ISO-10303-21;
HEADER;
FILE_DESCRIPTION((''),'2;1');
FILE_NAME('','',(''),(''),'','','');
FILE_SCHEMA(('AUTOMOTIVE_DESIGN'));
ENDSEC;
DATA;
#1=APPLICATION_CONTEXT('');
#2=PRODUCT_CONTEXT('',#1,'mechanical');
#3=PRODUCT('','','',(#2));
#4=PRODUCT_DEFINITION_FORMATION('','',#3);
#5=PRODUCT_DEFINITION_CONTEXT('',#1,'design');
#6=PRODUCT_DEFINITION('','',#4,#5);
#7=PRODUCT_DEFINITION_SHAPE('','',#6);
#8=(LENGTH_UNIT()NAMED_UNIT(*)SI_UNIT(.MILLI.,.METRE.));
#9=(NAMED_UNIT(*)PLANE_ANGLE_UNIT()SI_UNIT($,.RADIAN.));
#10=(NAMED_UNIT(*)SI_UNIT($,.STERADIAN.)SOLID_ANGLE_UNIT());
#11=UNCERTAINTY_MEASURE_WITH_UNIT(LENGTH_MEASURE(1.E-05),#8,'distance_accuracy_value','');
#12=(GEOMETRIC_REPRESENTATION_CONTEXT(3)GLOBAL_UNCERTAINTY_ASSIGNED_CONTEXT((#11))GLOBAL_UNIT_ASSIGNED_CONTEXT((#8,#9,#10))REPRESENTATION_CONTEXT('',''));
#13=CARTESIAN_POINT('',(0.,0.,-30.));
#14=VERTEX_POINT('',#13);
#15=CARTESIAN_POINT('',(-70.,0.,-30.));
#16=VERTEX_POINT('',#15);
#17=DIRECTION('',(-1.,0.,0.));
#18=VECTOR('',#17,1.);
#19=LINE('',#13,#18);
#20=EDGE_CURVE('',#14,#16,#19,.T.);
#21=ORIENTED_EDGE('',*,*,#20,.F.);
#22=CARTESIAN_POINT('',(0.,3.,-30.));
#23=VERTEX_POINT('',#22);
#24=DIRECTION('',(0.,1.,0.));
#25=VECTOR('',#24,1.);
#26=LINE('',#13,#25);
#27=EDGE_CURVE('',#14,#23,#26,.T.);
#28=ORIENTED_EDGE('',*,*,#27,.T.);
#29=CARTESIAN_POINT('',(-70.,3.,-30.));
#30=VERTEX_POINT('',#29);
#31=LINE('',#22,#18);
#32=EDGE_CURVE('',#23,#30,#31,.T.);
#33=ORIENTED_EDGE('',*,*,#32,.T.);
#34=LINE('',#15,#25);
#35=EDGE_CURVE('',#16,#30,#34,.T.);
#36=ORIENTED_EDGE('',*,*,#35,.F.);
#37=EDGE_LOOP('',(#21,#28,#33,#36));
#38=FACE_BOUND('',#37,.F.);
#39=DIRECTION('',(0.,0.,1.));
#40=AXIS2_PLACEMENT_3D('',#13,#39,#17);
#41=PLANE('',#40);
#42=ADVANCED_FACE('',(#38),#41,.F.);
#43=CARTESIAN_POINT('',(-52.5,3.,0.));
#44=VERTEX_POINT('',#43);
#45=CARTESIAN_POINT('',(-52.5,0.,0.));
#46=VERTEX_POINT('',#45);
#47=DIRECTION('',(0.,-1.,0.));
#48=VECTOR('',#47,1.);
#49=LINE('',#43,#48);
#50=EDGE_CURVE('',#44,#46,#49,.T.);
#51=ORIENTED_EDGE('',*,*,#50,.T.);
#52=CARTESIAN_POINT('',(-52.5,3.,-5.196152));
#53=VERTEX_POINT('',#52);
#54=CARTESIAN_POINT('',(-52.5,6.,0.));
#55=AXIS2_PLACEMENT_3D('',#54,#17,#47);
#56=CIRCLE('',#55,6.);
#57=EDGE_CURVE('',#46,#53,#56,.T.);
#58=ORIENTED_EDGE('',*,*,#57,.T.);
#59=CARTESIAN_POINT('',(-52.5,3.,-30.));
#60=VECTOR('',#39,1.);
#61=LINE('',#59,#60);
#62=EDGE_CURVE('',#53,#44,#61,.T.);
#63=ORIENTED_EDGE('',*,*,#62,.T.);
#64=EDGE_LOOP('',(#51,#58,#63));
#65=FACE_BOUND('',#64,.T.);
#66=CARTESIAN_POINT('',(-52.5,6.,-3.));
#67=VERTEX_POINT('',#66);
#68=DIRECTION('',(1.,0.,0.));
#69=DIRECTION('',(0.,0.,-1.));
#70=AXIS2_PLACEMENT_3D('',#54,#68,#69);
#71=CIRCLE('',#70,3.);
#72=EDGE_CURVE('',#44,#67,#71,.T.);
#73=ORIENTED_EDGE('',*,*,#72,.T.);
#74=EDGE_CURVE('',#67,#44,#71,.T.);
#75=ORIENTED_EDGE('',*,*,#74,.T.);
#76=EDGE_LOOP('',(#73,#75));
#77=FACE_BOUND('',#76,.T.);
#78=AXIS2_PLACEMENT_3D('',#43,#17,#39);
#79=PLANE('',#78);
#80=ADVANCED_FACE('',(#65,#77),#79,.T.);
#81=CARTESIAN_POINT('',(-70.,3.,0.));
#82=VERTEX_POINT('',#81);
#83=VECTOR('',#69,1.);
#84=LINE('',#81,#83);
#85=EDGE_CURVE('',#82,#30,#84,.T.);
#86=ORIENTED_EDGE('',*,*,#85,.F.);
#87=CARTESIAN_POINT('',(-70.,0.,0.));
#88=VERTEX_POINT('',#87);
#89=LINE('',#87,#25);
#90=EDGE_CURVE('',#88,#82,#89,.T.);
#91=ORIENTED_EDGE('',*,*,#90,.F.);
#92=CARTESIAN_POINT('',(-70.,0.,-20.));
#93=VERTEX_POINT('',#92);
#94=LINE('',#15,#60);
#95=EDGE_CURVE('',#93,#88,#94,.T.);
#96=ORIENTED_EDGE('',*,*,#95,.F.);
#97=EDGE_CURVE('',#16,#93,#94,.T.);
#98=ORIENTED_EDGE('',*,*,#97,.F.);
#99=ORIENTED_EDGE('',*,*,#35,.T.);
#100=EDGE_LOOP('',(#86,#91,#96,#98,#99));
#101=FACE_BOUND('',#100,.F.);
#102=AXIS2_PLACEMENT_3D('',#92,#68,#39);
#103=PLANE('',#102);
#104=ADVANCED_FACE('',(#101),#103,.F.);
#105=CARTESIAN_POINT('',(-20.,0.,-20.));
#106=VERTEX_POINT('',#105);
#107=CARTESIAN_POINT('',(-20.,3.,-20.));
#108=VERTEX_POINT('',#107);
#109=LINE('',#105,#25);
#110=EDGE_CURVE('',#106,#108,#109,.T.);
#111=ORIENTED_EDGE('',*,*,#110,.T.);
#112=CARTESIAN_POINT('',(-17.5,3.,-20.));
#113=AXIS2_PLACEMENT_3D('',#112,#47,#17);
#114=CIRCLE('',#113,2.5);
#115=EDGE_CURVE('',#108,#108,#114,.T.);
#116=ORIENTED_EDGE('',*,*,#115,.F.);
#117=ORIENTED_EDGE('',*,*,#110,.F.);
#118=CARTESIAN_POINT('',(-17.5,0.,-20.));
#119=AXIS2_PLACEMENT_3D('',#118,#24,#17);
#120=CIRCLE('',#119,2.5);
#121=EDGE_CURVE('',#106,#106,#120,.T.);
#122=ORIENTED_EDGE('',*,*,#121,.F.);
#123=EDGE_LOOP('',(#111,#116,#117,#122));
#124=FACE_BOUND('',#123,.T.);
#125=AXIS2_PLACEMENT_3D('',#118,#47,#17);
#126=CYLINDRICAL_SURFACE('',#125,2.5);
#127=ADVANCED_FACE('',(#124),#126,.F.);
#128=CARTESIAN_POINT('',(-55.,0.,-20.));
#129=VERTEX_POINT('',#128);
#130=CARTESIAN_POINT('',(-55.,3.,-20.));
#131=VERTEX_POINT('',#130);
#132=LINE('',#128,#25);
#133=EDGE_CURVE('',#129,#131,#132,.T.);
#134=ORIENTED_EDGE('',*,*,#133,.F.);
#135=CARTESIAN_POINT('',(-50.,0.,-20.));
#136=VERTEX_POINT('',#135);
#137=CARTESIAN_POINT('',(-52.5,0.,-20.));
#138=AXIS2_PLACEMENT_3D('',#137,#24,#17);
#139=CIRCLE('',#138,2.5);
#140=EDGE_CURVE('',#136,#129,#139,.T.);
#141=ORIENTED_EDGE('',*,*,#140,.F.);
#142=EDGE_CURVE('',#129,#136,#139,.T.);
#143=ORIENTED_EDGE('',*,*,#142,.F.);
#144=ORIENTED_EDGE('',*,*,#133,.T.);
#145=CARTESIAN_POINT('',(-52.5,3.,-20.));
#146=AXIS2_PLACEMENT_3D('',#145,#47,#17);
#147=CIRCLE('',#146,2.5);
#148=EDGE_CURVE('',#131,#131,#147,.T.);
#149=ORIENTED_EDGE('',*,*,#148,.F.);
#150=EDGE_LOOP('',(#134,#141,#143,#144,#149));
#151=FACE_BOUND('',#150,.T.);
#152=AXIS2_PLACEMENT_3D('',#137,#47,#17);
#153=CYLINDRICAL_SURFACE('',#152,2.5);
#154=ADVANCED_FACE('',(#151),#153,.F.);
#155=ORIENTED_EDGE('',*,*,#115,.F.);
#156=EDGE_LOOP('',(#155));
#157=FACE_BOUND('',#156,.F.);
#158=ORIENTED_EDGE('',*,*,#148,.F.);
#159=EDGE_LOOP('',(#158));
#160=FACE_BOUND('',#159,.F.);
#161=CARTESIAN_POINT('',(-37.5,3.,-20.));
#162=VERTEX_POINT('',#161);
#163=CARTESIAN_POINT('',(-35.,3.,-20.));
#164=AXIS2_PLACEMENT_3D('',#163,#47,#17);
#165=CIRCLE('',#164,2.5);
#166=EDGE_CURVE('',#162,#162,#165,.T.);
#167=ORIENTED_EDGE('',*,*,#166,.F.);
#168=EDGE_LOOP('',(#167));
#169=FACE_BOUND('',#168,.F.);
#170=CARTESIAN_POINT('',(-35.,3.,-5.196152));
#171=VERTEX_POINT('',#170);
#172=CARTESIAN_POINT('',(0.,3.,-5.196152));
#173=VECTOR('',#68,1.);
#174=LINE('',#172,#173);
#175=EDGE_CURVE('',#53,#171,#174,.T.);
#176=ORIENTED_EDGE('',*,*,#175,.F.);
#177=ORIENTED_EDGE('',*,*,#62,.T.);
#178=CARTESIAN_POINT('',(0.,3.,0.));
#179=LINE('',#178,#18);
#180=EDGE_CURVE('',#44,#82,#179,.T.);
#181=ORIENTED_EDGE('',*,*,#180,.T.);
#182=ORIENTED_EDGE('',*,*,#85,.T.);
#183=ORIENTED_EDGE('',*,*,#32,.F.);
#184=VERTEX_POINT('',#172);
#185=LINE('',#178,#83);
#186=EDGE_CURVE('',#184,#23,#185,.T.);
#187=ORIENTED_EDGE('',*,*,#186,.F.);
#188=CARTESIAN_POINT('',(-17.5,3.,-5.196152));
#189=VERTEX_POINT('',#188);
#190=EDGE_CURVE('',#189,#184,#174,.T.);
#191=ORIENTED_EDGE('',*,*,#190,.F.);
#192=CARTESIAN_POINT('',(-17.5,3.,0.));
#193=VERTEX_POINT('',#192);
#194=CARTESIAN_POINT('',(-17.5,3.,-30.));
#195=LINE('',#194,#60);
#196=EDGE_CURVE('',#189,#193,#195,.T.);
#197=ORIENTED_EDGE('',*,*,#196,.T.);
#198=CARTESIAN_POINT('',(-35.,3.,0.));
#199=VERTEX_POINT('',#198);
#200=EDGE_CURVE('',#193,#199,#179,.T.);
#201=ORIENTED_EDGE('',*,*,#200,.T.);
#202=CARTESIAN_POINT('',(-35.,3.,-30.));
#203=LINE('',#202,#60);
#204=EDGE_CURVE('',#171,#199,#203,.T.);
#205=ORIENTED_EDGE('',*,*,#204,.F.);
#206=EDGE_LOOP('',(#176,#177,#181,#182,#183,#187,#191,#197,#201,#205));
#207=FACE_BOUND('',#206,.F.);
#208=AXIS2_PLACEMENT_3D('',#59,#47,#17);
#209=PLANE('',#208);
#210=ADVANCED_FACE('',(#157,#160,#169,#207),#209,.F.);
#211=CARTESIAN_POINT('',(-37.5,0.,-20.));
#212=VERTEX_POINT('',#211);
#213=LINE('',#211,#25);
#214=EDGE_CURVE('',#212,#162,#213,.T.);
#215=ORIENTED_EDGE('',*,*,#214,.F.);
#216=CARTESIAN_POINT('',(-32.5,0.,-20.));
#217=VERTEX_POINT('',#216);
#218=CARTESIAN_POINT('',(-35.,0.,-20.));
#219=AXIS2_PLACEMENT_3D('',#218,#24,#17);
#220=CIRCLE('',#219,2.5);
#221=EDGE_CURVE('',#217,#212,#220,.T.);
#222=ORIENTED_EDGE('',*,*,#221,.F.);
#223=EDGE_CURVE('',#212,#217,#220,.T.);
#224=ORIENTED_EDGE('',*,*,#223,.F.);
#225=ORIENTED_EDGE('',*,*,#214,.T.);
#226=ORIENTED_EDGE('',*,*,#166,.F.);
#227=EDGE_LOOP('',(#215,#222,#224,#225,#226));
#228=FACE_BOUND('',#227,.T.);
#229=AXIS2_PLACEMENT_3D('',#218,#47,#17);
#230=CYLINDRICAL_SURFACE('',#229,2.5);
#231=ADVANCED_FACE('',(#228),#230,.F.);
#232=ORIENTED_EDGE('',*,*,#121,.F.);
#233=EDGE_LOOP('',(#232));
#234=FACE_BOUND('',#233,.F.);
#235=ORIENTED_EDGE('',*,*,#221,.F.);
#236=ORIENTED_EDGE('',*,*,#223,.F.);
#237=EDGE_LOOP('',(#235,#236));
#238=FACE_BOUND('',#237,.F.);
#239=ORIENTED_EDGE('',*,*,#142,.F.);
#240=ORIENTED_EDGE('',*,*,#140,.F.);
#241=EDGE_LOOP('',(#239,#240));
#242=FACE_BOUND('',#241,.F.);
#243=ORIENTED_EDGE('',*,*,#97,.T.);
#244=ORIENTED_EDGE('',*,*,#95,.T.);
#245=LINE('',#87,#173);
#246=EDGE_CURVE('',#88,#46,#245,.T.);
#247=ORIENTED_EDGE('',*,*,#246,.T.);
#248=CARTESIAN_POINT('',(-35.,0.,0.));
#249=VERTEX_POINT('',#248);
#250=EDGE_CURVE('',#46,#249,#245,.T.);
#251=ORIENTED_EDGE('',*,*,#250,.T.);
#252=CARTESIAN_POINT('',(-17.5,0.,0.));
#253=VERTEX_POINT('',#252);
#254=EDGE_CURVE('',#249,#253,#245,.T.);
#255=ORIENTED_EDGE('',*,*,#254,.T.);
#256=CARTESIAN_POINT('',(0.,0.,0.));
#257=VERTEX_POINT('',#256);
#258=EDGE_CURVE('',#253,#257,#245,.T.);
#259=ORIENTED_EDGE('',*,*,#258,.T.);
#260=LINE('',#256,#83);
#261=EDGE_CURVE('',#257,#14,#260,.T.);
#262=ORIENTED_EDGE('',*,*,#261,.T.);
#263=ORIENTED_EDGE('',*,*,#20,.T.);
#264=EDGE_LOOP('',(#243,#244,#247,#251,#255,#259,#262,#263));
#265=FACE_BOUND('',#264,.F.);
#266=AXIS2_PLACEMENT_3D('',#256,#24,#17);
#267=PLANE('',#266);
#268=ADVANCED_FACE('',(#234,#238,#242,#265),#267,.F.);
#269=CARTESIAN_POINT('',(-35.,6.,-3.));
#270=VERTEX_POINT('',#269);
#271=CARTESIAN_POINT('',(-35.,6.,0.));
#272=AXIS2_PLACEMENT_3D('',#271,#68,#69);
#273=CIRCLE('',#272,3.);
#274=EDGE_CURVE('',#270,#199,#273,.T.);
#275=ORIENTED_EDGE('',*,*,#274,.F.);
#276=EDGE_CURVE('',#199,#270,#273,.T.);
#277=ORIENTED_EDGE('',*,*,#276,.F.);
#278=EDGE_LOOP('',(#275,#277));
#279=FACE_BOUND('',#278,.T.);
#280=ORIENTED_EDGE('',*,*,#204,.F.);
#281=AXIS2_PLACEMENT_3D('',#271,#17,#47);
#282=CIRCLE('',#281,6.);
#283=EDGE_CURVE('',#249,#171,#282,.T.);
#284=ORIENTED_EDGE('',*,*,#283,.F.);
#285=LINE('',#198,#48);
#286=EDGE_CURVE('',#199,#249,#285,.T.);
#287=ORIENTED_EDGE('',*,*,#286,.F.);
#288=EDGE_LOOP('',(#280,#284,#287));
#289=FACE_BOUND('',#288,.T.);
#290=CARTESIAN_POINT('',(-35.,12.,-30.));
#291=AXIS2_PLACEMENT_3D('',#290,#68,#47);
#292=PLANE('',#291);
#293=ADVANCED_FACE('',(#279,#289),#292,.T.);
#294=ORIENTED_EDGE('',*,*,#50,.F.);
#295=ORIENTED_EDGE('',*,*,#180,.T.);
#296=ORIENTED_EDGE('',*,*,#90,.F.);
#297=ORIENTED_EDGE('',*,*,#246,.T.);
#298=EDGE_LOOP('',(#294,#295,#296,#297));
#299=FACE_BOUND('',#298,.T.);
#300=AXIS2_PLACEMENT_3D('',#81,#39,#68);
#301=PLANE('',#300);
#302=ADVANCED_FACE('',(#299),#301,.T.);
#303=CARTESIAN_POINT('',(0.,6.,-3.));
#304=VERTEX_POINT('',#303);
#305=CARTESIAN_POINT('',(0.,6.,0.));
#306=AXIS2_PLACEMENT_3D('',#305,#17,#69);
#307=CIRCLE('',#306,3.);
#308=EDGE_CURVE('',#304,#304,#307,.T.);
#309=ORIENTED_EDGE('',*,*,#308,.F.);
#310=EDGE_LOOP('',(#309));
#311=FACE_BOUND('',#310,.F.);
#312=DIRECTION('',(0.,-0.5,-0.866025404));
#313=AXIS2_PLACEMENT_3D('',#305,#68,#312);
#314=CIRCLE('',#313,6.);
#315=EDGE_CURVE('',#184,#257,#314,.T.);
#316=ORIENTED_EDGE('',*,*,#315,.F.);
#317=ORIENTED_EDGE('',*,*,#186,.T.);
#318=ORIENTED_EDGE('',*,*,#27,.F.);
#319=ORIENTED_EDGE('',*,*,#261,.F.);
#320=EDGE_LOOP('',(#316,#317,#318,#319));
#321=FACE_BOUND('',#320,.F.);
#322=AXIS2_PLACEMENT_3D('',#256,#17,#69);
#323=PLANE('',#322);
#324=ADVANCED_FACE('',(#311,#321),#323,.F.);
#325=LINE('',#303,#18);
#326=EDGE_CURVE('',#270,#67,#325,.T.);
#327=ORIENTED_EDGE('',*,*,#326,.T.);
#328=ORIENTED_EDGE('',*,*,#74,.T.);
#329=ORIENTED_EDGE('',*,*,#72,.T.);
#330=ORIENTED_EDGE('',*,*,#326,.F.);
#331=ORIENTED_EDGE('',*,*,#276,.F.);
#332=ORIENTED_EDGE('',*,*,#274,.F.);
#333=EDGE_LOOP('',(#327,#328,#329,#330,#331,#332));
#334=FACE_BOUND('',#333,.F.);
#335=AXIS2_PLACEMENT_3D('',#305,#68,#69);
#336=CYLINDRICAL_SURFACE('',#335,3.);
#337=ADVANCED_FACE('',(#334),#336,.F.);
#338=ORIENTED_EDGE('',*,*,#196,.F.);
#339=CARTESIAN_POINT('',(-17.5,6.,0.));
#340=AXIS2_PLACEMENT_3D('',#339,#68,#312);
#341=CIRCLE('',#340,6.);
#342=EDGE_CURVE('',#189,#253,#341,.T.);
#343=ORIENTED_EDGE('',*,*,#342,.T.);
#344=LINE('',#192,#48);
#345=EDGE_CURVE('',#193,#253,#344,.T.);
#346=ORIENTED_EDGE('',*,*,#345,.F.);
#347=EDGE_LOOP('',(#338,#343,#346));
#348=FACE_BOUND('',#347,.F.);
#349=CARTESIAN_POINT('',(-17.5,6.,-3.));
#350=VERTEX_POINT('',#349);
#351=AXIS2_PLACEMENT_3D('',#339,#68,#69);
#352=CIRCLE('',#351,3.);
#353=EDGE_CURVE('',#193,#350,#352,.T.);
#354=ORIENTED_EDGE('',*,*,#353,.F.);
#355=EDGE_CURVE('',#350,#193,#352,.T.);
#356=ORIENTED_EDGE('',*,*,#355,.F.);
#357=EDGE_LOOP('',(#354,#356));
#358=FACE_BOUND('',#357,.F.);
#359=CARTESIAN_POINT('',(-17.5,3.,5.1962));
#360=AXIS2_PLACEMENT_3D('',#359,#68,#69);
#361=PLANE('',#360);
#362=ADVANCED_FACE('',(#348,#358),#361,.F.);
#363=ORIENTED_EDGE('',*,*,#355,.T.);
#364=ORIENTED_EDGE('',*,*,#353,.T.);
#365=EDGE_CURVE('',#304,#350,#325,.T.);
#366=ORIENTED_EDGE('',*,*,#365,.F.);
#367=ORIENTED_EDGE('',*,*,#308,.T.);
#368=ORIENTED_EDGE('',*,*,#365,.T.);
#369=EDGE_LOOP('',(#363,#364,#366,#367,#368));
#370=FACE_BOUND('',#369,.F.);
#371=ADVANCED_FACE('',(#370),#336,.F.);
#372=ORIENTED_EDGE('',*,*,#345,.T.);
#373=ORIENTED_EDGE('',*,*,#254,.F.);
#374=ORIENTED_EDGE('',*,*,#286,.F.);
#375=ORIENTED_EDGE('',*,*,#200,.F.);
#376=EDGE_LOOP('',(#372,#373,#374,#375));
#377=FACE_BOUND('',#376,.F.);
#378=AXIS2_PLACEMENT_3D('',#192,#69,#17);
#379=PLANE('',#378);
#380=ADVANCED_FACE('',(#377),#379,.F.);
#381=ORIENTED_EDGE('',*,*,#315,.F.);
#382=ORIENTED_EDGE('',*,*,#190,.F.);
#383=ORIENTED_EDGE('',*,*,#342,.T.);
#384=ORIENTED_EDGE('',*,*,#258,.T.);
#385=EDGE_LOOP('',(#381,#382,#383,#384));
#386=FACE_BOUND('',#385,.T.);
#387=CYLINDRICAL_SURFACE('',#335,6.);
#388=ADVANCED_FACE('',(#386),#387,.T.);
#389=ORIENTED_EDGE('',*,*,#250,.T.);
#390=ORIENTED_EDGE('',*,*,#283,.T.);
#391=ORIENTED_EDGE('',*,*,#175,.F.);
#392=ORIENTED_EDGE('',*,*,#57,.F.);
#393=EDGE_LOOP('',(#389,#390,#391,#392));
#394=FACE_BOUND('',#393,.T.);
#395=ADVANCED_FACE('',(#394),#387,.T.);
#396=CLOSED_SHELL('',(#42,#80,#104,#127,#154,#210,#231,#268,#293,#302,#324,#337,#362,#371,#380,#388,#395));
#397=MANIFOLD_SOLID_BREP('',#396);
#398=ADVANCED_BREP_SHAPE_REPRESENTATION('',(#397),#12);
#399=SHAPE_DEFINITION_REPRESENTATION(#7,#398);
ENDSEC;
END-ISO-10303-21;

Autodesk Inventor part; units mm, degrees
ref_plane "YZ Plane" through (0, 0, 0) normal (1, 0, 0) x (0, 1, 0)
ref_plane "XZ Plane" through (0, 0, 0) normal (0, 1, 0) x (-1, 0, 0)
ref_plane "XY Plane" through (0, 0, 0) normal (0, 0, 1) x (1, 0, 0)
sketch "Sketch1" plane through (0, 0, 0) normal (0, 1, 0) x (-1, 0, 0)
  line L0 (0, 0) -> (0, -30)
  line L1 (0, -30) -> (70, -30)
  line L2 (70, -30) -> (70, 0)
  line L3 (70, 0) -> (0, 0)
  line L4 (70, -30) -> (70, -20)
  line L5 (70, -20) -> (52.5, -20)
  line L6 (52.5, -20) -> (35, -20)
  line L7 (35, -20) -> (17.5, -20)
  circle A0 centre (52.5, -20) radius 2.5
  circle A1 centre (35, -20) radius 2.5
  circle A2 centre (17.5, -20) radius 2.5
  dimension "d0" = 30
  dimension "d1" = 70
  dimension "d2" = 10
  dimension "d3" = 17.5
  dimension "d4" = 17.5
  dimension "d5" = 17.5
  dimension "d6" = 5
  dimension "d7" = 5
  dimension "d8" = 5
extrude "Extrusion1" add sketch "Sketch1" along normal blind 3
sketch "Sketch2" plane through (0, 0, 0) normal (1, 0, 0) x (0, 0, -1)
  line L0 (0, 3) -> (30, 3) projected
  circle A0 centre (0, 6) radius 3
  line L1 (0, 0) -> (0, 3) projected
  circle A1 centre (0, 6) radius 6
extrude "Extrusion2" add sketch "Sketch2" against normal blind 70 contours L1 A1 L0 | A0 | L0 A1 L1
sketch "Sketch3" plane through (0, 0, -30) normal (1, 0, 0) x (0, 0, -1)
  line L0 (-30, 0) -> (0, 0) projected
  line L1 (-30, 0) -> (-30, 6)
  circle A0 centre (-30, 6) radius 3
  dimension "d14" = 6
  dimension "d15" = 6
extrude "Extrusion3" cut sketch "Sketch3" against normal blind 70
sketch "Sketch4" plane through (0, 0, -30) normal (0, 0, -1) x (-1, 0, 0)
  line L0 (0, 0) -> (70, 0) projected
  line L1 (0, 0) -> (0, 3)
  line L2 (0, 3) -> (70, 3) projected
  line L3 (0, 3) -> (17.5, 3)
  line L4 (17.5, 3) -> (35, 3)
  line L5 (35, 3) -> (52.5, 3)
  line L6 (52.5, 3) -> (70, 3)
  line L7 (70, 0) -> (70, 12) projected
  line L8 (70, 3) -> (70, 12)
  line L9 (70, 12) -> (52.5, 12)
  line L10 (0, 12) -> (70, 12) projected
  line L11 (52.5, 3) -> (52.5, 12)
  line L12 (17.5, 3) -> (17.5, 12)
  line L13 (17.5, 12) -> (35, 12)
  line L14 (35, 12) -> (35, 3)
  dimension "d18" = 17.5
  dimension "d19" = 17.5
  dimension "d20" = 17.5
extrude "Extrusion4" cut sketch "Sketch4" against normal blind 70 contours L2 L11 L9 L7 | L12 L10 L14 L2
sketch "Sketch5" plane through (0, 3, 0) normal (0, 1, 0) x (1, 0, 0)
  line L0 (-17.5, -5.1962) -> (-35, -5.1962) projected
  line L1 (-35, 6) -> (-35, -6) projected
  line L2 (-35, 0) -> (-35, -5.1962) projected
  line L3 (-35, -5.1962) -> (-17.5, -5.1962)
  line L4 (-17.5, -5.1962) -> (-17.5, 0)
  line L5 (-17.5, 0) -> (-35, 0)
  line L6 (-35, 5.1962) -> (-35, 0) projected
  line L7 (-35, 0) -> (-35, -5.1962)
  line L8 (-52.5, -5.1962) -> (-70, -5.1962) projected
  line L9 (-52.5, -5.1962) -> (-70, -5.1962)
  line L10 (-70, 0) -> (-70, -5.1962) projected
  line L11 (-70, -5.1962) -> (-70, 0)
  line L12 (-70, 0) -> (-52.5, 0)
  line L13 (-70, 0) -> (0, 0) projected
  line L14 (-52.5, 0) -> (-52.5, -5.1962) projected
  line L15 (-52.5, 5.1962) -> (-52.5, 0) projected
  line L16 (-52.5, -5.1962) -> (-52.5, 0)
  dimension "d24" = 17.5
extrude "Extrusion5" cut sketch "Sketch5" against normal blind 70
properties part number "Dobradiça"
